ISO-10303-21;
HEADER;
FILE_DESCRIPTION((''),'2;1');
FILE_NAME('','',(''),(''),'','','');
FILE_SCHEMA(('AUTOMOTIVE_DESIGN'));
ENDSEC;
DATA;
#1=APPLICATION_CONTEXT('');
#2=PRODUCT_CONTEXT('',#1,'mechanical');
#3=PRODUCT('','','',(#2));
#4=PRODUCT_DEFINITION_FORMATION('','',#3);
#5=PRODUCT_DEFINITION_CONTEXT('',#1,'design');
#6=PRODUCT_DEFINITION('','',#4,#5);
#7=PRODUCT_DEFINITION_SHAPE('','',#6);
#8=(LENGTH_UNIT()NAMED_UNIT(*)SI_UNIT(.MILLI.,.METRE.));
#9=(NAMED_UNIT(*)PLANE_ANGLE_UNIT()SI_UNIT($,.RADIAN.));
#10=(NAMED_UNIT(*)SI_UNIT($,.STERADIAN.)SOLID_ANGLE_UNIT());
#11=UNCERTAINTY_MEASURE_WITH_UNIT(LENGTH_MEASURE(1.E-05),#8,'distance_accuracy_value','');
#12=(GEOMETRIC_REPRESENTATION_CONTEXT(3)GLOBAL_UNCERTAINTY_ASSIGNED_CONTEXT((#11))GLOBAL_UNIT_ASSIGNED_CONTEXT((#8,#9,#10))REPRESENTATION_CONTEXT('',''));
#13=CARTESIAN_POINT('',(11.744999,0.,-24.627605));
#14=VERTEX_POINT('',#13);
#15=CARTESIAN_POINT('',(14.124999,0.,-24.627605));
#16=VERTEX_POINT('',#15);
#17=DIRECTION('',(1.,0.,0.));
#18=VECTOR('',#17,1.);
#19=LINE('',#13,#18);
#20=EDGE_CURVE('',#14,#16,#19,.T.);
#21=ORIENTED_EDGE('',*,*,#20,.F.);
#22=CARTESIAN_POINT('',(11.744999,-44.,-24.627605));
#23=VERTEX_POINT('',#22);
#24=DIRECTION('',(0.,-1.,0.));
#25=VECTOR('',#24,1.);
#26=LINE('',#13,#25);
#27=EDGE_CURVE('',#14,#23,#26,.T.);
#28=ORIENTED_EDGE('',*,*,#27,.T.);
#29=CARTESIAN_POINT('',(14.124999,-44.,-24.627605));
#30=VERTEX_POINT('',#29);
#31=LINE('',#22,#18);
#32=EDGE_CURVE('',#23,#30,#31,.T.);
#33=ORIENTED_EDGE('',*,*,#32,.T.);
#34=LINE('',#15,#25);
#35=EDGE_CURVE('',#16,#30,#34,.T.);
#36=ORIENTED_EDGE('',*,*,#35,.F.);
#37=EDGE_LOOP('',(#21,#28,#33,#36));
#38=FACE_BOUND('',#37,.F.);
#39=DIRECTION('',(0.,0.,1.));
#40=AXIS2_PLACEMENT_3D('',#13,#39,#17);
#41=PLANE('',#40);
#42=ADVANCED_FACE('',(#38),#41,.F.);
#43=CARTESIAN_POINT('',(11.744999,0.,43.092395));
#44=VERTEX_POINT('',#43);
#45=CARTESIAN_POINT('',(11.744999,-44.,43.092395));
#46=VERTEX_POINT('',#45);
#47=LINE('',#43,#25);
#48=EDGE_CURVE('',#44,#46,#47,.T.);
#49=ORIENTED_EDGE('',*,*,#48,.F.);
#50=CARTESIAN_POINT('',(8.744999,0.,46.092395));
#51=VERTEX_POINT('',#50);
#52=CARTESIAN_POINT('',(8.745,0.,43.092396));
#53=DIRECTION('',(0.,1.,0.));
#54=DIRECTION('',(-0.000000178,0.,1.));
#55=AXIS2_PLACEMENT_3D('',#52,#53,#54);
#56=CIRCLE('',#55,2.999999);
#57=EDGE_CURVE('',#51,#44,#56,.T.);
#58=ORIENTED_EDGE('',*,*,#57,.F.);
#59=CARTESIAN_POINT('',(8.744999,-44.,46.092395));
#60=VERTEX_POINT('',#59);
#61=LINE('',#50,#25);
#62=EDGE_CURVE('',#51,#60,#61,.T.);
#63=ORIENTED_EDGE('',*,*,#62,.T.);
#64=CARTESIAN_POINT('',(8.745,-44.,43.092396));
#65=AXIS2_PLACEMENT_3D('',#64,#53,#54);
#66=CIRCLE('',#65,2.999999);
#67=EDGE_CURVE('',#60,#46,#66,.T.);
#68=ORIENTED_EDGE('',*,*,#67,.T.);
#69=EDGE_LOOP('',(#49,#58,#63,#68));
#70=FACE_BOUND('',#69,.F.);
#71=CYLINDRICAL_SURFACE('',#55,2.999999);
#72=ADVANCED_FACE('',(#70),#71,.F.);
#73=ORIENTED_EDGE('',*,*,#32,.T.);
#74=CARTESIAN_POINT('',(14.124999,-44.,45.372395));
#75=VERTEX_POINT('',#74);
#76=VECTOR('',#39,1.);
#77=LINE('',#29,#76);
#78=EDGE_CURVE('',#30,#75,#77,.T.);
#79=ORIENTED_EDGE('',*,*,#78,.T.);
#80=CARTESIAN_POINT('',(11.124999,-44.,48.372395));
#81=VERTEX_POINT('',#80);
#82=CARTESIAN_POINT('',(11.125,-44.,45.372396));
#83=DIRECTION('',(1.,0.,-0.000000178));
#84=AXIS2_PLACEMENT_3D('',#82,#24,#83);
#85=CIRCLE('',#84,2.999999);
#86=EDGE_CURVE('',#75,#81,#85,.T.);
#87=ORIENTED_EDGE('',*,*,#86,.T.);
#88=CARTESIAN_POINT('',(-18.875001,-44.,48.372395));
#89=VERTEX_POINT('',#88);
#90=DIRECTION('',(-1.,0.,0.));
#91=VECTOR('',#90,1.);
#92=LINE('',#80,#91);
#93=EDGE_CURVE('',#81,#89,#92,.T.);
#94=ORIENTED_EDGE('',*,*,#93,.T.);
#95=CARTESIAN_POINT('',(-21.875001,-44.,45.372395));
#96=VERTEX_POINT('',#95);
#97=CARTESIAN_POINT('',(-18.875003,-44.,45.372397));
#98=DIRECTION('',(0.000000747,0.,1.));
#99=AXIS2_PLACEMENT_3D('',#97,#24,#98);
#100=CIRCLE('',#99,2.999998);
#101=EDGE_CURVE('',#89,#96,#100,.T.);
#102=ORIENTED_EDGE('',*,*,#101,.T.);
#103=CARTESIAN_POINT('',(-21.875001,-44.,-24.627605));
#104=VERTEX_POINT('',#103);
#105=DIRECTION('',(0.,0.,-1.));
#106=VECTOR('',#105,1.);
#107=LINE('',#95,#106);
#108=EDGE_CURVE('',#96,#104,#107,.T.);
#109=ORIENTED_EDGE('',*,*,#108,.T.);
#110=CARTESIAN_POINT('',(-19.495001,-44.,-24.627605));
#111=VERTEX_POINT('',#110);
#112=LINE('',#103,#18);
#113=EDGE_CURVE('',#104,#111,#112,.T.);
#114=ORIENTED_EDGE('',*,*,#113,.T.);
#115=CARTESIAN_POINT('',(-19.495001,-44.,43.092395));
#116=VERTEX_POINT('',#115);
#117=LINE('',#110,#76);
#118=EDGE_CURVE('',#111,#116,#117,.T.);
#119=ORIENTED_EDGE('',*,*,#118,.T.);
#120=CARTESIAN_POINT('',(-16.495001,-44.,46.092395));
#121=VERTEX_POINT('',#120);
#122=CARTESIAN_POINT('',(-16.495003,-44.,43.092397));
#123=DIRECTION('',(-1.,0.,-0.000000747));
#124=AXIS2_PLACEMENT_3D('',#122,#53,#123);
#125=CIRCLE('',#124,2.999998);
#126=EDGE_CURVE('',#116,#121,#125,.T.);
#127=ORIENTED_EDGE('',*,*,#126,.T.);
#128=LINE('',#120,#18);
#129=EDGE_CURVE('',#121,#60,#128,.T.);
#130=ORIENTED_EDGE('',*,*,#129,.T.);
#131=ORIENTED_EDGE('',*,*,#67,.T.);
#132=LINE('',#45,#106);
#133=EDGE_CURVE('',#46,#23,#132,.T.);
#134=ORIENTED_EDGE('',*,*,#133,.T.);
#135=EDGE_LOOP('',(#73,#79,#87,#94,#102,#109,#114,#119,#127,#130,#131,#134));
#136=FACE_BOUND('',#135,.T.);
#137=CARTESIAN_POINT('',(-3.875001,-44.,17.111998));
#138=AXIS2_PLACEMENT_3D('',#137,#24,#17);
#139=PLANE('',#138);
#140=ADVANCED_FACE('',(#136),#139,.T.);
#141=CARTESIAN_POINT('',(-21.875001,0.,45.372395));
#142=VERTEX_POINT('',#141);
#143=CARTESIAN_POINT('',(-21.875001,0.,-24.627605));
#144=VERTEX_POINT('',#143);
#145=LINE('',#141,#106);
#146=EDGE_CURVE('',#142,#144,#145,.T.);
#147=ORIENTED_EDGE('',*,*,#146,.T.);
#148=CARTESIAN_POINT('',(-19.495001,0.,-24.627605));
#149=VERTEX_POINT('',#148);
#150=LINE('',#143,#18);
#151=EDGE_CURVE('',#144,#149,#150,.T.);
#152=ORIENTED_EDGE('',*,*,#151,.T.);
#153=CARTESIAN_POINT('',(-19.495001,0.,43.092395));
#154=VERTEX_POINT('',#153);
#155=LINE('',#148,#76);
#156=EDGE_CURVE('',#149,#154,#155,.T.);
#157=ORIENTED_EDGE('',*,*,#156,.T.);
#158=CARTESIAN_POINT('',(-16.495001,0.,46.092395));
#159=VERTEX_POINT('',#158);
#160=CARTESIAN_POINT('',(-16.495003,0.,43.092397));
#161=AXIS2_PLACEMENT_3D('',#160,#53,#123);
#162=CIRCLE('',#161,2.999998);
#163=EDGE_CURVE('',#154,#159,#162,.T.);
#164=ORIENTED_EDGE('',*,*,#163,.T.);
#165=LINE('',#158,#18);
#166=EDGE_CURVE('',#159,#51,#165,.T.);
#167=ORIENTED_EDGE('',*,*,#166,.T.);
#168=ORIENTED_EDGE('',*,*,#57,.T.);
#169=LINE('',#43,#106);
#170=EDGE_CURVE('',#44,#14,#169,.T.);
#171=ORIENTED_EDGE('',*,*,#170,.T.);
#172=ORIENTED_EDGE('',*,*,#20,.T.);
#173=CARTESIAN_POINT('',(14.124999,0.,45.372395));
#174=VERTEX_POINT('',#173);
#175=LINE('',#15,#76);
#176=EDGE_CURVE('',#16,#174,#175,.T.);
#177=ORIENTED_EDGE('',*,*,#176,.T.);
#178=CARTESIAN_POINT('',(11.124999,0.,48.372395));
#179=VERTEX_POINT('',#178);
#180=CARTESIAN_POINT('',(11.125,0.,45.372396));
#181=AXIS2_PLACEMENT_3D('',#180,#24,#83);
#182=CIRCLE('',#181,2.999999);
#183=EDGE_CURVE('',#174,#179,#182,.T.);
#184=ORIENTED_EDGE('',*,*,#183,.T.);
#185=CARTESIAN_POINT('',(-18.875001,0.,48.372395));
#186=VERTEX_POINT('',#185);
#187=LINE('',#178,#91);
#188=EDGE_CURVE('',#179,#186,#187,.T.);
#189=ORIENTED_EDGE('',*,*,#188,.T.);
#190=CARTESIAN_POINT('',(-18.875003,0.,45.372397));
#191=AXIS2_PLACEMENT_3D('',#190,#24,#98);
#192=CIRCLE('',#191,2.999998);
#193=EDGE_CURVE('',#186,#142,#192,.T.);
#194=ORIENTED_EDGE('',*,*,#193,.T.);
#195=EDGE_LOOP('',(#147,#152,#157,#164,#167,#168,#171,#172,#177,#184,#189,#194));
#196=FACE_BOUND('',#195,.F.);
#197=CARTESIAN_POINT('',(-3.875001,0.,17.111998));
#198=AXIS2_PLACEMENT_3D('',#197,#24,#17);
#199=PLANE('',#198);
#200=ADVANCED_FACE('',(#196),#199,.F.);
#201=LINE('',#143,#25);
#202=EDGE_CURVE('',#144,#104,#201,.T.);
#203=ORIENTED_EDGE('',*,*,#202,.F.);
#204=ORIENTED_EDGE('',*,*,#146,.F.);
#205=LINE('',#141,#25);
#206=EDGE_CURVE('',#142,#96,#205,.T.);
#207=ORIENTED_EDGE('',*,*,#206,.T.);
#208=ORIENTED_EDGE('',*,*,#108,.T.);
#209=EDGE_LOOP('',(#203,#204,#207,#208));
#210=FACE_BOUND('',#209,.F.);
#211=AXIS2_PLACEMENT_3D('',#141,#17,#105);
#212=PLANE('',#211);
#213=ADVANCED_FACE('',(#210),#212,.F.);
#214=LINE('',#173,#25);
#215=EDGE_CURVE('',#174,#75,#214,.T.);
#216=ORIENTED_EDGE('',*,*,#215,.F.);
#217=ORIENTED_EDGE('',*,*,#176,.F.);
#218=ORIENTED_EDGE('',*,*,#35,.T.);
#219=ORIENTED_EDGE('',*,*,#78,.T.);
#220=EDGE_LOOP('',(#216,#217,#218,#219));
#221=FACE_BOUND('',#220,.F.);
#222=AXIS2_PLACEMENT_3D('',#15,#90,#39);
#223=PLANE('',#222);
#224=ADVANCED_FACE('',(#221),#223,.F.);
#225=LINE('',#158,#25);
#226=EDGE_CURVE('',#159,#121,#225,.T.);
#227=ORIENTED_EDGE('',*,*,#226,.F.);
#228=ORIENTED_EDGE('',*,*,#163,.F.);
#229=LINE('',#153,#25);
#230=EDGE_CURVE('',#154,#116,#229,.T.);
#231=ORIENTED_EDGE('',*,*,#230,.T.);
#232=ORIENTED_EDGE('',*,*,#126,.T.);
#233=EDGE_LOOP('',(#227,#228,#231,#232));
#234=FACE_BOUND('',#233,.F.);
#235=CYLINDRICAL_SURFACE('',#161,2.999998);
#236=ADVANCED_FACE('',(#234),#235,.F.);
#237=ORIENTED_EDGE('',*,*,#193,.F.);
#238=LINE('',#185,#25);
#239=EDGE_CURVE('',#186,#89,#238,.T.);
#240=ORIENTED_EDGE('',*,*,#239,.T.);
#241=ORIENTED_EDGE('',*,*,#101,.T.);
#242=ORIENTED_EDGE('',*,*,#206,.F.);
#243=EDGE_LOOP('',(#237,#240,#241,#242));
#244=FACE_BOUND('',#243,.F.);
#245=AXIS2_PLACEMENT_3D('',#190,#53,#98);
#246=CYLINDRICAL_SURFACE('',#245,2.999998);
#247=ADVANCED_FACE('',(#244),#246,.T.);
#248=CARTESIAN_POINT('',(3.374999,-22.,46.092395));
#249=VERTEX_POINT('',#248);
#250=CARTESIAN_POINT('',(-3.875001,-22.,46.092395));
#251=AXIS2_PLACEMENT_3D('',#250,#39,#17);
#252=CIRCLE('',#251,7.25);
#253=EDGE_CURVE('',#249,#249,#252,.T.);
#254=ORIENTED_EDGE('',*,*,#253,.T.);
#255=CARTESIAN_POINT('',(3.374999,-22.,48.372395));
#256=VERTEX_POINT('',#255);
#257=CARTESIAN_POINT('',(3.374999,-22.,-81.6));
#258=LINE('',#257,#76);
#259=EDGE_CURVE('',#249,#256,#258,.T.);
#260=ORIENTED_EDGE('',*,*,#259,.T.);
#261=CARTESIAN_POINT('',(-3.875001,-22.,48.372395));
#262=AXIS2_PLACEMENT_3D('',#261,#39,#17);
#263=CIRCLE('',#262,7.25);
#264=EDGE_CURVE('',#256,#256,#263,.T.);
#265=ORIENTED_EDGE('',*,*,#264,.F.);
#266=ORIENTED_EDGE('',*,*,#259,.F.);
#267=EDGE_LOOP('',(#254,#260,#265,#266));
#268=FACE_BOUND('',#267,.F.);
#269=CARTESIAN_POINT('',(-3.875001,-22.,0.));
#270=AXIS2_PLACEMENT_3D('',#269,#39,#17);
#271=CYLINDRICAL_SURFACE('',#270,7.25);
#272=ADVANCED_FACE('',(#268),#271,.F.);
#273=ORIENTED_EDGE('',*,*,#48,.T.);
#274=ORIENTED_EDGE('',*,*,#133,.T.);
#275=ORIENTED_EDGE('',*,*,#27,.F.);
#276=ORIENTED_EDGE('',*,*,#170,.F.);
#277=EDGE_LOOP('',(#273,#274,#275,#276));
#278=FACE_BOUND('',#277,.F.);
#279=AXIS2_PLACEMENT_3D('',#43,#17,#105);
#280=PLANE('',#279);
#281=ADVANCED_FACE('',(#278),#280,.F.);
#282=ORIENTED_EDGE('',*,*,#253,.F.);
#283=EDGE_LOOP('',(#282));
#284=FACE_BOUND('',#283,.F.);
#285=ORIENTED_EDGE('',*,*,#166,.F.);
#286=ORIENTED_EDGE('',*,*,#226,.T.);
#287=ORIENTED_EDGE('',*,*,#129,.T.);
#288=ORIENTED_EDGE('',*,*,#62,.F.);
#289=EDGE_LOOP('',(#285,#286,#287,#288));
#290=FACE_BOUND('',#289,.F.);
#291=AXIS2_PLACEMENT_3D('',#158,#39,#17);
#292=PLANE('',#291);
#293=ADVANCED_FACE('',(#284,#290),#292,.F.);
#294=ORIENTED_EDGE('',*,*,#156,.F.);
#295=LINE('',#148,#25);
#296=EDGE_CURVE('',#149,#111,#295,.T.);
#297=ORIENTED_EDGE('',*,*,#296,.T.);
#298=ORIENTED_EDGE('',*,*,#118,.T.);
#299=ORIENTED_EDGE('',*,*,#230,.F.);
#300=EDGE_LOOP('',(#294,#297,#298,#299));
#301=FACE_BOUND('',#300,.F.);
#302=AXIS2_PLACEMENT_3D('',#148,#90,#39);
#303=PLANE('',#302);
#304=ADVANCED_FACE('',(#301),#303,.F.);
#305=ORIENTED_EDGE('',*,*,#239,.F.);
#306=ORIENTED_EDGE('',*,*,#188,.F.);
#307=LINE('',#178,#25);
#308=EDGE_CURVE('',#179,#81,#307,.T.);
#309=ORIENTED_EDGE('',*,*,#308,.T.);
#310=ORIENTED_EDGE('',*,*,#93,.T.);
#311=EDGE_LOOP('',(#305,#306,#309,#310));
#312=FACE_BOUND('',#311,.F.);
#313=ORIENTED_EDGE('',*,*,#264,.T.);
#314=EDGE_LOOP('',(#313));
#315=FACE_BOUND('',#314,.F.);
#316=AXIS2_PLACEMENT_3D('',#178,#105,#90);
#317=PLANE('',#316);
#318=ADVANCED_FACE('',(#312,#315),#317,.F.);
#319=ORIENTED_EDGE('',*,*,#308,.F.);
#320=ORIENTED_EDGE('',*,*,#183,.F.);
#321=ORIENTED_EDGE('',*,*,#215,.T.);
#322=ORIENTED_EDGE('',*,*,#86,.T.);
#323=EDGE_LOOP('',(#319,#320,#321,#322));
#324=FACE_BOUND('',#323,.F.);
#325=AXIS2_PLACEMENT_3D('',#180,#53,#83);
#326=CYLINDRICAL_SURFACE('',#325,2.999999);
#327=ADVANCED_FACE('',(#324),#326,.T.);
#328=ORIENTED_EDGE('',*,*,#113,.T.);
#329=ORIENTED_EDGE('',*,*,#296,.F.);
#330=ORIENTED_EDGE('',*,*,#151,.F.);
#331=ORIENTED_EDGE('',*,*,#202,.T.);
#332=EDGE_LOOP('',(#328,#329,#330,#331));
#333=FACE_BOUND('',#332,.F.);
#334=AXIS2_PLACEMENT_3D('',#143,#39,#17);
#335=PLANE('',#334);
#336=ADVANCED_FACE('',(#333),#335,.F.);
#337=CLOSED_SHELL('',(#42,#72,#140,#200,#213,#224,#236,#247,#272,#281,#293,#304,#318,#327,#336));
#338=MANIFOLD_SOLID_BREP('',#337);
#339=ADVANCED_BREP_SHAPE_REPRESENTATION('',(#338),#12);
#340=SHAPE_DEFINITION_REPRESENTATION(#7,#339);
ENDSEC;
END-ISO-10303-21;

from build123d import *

# Parameters (mm, degrees)
F1_DEPTH = 44
F2_R     = 7.25
F3_DEPTH = 81.6


with BuildPart() as f1:
    # F0 (on Front) → F1 (new body)
    with BuildSketch(Plane.XZ):
        with BuildLine():
            ThreePointArc((-19.495001, 43.092395), (-18.616322, 45.213716), (-16.495001, 46.092395))
            Line((-16.495001, 46.092395), (8.744999, 46.092395))
            ThreePointArc((8.744999, 46.092395), (10.866319, 45.213716), (11.744999, 43.092395))
            Line((11.744999, 43.092395), (11.744999, -24.627605))
            Line((11.744999, -24.627605), (14.124999, -24.627605))
            Line((14.124999, -24.627605), (14.124999, 45.372395))
            ThreePointArc((14.124999, 45.372395), (13.246319, 47.493716), (11.124999, 48.372395))
            Line((11.124999, 48.372395), (-18.875001, 48.372395))
            ThreePointArc((-18.875001, 48.372395), (-20.996322, 47.493716), (-21.875001, 45.372395))
            Line((-21.875001, 45.372395), (-21.875001, -24.627605))
            Line((-21.875001, -24.627605), (-19.495001, -24.627605))
            Line((-19.495001, -24.627605), (-19.495001, 43.092395))
        make_face()
    extrude(amount=F1_DEPTH)

    # F2 (on Top) → F3 (cut, symmetric)
    with BuildSketch(Plane.XY):
        with Locations((-3.875001, -22)):
            Circle(F2_R)
    extrude(amount=F3_DEPTH, both=True, mode=Mode.SUBTRACT)


solid = f1.part
